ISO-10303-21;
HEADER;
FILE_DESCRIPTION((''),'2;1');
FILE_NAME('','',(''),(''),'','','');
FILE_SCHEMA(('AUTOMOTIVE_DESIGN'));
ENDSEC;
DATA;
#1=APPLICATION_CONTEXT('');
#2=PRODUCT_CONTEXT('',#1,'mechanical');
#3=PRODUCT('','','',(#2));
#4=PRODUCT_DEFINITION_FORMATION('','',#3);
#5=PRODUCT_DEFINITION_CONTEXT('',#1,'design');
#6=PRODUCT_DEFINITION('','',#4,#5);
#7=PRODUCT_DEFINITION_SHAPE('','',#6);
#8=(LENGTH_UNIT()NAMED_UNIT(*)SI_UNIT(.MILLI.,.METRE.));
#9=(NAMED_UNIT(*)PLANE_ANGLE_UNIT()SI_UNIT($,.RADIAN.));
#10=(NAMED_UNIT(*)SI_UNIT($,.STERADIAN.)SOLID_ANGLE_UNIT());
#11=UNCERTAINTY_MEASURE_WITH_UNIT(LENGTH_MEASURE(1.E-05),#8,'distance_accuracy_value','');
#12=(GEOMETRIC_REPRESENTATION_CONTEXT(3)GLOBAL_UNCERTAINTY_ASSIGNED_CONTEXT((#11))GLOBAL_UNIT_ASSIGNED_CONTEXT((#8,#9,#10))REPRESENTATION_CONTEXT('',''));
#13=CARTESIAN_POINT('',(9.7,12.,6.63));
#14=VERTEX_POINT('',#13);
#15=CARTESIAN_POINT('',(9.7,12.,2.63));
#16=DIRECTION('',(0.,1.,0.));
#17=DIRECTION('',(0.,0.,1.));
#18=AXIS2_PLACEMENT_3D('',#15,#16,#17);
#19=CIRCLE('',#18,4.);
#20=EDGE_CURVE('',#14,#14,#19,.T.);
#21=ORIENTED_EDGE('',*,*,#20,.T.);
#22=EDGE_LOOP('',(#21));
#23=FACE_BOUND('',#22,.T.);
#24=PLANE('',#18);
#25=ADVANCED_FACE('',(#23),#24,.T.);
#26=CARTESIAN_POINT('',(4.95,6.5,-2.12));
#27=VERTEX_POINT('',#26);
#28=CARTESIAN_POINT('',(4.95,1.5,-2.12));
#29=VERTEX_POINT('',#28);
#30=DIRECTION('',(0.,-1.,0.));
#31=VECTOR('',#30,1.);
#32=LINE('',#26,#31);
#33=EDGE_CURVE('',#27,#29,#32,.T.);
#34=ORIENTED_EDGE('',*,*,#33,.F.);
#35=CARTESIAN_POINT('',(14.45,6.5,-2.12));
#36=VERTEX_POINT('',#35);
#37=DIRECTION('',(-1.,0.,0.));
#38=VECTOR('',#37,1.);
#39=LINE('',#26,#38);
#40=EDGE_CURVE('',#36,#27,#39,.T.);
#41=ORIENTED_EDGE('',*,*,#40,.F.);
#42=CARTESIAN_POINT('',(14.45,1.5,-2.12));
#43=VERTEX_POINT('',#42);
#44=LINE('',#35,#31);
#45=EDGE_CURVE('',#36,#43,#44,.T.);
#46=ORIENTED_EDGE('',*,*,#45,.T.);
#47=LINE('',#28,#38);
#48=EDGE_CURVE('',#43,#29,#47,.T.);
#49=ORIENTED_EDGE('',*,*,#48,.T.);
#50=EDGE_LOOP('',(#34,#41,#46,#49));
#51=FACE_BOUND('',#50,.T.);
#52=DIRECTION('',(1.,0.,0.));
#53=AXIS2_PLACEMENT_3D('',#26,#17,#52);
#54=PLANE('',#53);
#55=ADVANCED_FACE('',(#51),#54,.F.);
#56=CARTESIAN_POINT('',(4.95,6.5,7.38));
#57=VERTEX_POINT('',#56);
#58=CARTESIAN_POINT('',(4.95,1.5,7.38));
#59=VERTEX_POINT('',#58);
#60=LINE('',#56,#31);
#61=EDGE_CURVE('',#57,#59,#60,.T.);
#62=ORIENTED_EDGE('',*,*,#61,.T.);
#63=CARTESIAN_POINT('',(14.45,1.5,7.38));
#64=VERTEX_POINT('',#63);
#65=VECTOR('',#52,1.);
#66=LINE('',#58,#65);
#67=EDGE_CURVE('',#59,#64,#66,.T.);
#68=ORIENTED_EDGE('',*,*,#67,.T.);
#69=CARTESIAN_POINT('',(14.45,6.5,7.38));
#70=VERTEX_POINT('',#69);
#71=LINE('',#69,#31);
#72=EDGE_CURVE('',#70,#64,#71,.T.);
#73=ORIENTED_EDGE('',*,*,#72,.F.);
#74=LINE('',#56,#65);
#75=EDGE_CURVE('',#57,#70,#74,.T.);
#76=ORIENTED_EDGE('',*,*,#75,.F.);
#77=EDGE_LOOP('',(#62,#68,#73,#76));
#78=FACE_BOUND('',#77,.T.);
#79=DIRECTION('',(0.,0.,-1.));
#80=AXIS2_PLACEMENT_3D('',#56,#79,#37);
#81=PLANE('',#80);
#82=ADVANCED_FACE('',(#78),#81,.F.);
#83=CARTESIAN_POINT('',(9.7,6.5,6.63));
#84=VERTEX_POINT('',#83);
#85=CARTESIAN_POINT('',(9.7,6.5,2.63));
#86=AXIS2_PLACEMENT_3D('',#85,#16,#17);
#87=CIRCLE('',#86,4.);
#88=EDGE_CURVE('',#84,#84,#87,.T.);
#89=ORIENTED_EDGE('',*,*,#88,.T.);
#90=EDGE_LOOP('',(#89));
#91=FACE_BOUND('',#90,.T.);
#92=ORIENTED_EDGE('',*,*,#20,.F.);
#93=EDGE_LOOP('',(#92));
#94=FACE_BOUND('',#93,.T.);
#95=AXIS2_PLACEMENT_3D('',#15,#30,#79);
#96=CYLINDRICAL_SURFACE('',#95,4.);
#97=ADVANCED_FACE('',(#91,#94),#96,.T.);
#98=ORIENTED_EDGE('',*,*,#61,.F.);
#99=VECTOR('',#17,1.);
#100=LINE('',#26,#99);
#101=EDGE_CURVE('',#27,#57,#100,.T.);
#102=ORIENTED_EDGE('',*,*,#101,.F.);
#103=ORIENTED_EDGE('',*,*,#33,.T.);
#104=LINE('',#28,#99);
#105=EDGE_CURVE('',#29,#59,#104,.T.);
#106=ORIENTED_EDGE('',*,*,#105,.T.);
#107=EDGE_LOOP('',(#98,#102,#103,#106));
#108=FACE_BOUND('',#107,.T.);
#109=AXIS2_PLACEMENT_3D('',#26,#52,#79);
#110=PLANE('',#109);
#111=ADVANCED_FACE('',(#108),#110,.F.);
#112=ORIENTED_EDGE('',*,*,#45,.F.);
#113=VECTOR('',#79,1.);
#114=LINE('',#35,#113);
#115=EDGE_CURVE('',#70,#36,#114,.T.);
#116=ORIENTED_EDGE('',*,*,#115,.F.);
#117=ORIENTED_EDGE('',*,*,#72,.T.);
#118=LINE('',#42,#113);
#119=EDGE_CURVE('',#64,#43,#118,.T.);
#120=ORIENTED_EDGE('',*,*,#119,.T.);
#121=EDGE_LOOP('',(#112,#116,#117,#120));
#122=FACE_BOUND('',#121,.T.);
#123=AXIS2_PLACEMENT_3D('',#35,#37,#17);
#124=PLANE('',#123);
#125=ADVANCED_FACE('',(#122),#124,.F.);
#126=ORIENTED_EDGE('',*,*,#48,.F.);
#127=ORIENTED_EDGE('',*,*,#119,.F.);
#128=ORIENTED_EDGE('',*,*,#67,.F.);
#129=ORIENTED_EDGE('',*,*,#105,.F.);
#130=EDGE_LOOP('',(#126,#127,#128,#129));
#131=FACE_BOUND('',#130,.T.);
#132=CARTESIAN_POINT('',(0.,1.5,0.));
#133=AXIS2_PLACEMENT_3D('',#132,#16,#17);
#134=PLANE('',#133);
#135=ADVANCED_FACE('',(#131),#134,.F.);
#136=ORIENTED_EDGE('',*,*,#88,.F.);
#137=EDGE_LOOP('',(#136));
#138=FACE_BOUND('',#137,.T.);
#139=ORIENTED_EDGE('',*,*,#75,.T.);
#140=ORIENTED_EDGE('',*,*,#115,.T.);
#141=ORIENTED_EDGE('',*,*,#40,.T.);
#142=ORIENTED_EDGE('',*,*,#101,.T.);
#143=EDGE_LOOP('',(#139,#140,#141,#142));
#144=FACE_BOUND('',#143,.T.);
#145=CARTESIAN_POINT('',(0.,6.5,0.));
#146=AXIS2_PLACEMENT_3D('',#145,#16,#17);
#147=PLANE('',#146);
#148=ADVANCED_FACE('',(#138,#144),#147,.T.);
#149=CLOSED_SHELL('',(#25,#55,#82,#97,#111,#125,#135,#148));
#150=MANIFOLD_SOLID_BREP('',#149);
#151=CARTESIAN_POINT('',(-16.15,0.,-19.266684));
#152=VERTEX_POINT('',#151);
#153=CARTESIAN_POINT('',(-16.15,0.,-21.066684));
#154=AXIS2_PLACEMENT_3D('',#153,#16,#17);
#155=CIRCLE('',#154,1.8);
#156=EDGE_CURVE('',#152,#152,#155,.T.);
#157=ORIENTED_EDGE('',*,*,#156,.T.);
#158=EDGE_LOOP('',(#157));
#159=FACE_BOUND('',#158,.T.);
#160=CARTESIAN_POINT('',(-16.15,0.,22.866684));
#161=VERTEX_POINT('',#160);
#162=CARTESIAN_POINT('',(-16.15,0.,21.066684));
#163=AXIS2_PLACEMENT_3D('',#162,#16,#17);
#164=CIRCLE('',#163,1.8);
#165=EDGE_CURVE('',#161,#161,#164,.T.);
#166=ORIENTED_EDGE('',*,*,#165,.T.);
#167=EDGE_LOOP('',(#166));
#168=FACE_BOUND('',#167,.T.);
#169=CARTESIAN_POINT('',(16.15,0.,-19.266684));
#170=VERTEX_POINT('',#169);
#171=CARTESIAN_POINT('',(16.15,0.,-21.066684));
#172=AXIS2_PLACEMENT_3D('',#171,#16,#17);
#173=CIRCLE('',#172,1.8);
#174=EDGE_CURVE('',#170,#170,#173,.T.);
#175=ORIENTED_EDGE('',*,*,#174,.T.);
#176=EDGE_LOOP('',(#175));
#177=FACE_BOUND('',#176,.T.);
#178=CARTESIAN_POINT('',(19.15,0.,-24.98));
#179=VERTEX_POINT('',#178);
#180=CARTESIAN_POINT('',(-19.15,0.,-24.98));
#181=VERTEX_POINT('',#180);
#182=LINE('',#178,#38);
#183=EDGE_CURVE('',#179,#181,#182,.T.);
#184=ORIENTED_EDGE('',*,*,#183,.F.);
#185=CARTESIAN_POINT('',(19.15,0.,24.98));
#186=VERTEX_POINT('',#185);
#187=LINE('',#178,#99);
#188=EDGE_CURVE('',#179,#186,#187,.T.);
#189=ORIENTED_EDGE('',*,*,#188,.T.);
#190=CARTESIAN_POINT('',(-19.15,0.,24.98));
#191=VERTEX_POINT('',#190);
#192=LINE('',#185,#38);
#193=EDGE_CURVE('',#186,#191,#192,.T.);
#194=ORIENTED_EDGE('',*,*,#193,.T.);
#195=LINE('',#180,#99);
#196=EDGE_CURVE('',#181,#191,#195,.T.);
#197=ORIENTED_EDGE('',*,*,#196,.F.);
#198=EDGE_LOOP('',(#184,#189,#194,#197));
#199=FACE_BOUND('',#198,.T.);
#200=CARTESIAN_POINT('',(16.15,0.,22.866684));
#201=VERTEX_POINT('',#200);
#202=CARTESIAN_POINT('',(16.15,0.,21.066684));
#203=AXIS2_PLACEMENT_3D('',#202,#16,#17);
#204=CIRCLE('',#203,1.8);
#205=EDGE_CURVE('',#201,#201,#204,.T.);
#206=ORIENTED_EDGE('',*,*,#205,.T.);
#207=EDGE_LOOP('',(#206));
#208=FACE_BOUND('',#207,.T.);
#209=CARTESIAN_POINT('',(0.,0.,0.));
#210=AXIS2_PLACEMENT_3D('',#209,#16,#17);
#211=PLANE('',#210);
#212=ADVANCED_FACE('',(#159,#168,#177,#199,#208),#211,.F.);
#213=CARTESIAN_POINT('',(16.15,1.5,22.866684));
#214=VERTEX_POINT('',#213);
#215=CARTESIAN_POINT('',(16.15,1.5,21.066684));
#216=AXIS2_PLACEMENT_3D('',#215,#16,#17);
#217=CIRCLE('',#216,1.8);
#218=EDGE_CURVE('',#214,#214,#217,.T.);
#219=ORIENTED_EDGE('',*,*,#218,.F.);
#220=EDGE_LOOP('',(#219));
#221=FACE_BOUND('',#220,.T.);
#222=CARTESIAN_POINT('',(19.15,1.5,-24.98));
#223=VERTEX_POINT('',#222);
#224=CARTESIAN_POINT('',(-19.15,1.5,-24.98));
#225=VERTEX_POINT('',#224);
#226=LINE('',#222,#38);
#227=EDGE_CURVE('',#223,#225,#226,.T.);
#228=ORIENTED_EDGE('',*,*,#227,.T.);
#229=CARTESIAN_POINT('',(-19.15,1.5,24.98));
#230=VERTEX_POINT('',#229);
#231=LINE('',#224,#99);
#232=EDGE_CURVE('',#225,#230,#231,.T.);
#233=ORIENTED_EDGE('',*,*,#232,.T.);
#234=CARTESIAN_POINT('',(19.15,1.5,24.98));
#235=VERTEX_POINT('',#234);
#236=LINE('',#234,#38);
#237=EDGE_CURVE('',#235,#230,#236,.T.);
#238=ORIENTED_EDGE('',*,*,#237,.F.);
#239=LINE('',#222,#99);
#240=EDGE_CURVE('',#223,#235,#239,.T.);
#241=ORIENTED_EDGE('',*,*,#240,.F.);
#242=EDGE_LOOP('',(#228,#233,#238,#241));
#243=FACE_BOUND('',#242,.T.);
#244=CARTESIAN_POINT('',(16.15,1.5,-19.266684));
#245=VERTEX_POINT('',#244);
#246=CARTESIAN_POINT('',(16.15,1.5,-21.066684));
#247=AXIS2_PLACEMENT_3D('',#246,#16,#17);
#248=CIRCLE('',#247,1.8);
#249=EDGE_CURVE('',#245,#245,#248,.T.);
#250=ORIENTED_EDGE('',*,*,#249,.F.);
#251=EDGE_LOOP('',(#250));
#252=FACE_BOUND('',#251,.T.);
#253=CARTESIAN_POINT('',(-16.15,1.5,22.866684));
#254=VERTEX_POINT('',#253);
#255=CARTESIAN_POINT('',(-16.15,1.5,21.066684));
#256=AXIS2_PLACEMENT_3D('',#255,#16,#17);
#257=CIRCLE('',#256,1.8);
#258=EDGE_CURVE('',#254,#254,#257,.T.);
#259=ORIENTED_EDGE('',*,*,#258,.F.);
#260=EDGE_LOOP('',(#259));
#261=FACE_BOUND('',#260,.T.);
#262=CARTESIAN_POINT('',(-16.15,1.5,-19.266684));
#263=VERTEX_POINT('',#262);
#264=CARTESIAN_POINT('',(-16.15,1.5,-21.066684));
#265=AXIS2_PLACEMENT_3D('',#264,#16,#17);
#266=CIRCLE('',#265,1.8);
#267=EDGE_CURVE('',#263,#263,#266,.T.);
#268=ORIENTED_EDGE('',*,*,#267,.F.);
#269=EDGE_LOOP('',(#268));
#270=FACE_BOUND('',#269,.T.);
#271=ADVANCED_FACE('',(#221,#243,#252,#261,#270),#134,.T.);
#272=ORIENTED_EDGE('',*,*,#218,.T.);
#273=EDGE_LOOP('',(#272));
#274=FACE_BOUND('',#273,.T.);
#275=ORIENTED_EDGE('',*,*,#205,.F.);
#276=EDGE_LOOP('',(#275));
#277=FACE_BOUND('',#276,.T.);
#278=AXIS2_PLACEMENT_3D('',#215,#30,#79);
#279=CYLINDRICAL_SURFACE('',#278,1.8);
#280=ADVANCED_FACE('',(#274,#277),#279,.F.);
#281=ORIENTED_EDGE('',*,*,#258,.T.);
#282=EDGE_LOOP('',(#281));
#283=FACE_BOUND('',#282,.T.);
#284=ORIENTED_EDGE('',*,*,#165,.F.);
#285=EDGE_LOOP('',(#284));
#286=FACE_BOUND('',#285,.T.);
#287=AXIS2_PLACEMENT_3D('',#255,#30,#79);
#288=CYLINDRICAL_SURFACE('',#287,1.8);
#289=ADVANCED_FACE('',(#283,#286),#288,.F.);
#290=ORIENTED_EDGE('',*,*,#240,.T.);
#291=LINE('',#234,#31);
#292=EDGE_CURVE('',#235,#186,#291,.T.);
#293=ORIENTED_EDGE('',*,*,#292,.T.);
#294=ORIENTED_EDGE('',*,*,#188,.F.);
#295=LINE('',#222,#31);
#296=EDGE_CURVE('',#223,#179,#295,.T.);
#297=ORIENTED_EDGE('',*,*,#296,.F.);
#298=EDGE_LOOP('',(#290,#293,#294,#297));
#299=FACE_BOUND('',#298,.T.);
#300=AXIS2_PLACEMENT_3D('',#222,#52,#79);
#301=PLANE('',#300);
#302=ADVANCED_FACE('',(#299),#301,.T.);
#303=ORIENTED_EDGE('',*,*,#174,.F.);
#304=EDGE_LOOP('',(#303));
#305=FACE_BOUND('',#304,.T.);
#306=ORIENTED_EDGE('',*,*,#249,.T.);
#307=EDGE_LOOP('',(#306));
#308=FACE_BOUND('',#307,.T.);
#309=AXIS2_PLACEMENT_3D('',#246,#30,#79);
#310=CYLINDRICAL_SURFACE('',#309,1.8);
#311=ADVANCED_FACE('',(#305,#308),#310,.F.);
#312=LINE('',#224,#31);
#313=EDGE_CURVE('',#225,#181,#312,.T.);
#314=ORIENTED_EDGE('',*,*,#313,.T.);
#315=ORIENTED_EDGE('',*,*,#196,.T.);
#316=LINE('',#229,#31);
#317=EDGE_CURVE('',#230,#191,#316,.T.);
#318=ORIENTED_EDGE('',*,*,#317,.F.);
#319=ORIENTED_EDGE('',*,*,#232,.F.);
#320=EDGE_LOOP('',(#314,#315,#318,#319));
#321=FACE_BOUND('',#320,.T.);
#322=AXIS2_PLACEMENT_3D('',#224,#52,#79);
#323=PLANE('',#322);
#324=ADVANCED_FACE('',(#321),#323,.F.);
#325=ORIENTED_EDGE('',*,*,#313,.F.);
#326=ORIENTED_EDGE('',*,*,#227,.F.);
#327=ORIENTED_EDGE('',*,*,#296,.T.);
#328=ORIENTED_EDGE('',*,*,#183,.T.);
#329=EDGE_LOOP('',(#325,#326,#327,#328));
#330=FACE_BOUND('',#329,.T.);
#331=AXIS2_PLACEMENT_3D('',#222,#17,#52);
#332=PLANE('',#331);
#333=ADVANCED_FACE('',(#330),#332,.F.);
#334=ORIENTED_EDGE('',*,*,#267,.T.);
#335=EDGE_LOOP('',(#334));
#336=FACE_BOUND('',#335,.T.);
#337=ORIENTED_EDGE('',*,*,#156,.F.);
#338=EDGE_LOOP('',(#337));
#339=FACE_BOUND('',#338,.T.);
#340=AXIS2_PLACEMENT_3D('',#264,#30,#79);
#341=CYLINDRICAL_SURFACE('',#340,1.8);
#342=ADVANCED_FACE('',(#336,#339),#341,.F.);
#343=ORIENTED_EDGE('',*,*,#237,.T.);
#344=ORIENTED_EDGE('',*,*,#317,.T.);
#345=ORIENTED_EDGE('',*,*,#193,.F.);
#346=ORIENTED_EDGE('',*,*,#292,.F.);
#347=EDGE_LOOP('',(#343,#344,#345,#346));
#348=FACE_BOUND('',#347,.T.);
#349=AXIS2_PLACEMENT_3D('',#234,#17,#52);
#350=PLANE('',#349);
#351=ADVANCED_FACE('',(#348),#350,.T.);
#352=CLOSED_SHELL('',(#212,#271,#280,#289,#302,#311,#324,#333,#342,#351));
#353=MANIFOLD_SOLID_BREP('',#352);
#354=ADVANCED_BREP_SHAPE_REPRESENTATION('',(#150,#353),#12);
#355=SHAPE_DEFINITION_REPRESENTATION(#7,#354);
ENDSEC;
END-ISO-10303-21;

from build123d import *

# Parameters (mm, degrees)
SKETCH1_W           = 38.3
SKETCH1_H           = 49.96
SKETCH1_R           = 1.8
BOSS_EXTRUDE1_DEPTH = 1.5
SKETCH3_W           = 9.5
SKETCH3_H           = 9.5
BOSS_EXTRUDE2_DEPTH = 5
SKETCH5_R           = 4
BOSS_EXTRUDE3_DEPTH = 5.5


with BuildPart() as part:
    # Sketch1 → Boss-Extrude1 (new body)
    with BuildSketch(Plane(origin=(0, 0, 0), x_dir=(1, 0, 0), z_dir=(0, 1, 0))):
        Rectangle(SKETCH1_W, SKETCH1_H)
        with Locations((-16.15, 21.066684073)):
            Circle(SKETCH1_R, mode=Mode.SUBTRACT)
        with Locations((16.15, 21.066684073)):
            Circle(SKETCH1_R, mode=Mode.SUBTRACT)
        with Locations((-16.15, -21.066684073)):
            Circle(SKETCH1_R, mode=Mode.SUBTRACT)
        with Locations((16.15, -21.066684073)):
            Circle(SKETCH1_R, mode=Mode.SUBTRACT)
    extrude(amount=BOSS_EXTRUDE1_DEPTH)


with BuildPart() as body_2:
    # Sketch3 → Boss-Extrude2 (new body)
    with BuildSketch(Plane(origin=(0, 1.5, 0), x_dir=(1, 0, 0), z_dir=(0, 1, 0))):
        with Locations((9.7, -2.63)):
            Rectangle(SKETCH3_W, SKETCH3_H)
    extrude(amount=BOSS_EXTRUDE2_DEPTH)

    # Sketch5 → Boss-Extrude3 (add)
    with BuildSketch(Plane(origin=(0, 6.5, 0), x_dir=(1, 0, 0), z_dir=(0, 1, 0))):
        with Locations((9.7, -2.63)):
            Circle(SKETCH5_R)
    extrude(amount=BOSS_EXTRUDE3_DEPTH)


solid = Compound([part.part, body_2.part])
